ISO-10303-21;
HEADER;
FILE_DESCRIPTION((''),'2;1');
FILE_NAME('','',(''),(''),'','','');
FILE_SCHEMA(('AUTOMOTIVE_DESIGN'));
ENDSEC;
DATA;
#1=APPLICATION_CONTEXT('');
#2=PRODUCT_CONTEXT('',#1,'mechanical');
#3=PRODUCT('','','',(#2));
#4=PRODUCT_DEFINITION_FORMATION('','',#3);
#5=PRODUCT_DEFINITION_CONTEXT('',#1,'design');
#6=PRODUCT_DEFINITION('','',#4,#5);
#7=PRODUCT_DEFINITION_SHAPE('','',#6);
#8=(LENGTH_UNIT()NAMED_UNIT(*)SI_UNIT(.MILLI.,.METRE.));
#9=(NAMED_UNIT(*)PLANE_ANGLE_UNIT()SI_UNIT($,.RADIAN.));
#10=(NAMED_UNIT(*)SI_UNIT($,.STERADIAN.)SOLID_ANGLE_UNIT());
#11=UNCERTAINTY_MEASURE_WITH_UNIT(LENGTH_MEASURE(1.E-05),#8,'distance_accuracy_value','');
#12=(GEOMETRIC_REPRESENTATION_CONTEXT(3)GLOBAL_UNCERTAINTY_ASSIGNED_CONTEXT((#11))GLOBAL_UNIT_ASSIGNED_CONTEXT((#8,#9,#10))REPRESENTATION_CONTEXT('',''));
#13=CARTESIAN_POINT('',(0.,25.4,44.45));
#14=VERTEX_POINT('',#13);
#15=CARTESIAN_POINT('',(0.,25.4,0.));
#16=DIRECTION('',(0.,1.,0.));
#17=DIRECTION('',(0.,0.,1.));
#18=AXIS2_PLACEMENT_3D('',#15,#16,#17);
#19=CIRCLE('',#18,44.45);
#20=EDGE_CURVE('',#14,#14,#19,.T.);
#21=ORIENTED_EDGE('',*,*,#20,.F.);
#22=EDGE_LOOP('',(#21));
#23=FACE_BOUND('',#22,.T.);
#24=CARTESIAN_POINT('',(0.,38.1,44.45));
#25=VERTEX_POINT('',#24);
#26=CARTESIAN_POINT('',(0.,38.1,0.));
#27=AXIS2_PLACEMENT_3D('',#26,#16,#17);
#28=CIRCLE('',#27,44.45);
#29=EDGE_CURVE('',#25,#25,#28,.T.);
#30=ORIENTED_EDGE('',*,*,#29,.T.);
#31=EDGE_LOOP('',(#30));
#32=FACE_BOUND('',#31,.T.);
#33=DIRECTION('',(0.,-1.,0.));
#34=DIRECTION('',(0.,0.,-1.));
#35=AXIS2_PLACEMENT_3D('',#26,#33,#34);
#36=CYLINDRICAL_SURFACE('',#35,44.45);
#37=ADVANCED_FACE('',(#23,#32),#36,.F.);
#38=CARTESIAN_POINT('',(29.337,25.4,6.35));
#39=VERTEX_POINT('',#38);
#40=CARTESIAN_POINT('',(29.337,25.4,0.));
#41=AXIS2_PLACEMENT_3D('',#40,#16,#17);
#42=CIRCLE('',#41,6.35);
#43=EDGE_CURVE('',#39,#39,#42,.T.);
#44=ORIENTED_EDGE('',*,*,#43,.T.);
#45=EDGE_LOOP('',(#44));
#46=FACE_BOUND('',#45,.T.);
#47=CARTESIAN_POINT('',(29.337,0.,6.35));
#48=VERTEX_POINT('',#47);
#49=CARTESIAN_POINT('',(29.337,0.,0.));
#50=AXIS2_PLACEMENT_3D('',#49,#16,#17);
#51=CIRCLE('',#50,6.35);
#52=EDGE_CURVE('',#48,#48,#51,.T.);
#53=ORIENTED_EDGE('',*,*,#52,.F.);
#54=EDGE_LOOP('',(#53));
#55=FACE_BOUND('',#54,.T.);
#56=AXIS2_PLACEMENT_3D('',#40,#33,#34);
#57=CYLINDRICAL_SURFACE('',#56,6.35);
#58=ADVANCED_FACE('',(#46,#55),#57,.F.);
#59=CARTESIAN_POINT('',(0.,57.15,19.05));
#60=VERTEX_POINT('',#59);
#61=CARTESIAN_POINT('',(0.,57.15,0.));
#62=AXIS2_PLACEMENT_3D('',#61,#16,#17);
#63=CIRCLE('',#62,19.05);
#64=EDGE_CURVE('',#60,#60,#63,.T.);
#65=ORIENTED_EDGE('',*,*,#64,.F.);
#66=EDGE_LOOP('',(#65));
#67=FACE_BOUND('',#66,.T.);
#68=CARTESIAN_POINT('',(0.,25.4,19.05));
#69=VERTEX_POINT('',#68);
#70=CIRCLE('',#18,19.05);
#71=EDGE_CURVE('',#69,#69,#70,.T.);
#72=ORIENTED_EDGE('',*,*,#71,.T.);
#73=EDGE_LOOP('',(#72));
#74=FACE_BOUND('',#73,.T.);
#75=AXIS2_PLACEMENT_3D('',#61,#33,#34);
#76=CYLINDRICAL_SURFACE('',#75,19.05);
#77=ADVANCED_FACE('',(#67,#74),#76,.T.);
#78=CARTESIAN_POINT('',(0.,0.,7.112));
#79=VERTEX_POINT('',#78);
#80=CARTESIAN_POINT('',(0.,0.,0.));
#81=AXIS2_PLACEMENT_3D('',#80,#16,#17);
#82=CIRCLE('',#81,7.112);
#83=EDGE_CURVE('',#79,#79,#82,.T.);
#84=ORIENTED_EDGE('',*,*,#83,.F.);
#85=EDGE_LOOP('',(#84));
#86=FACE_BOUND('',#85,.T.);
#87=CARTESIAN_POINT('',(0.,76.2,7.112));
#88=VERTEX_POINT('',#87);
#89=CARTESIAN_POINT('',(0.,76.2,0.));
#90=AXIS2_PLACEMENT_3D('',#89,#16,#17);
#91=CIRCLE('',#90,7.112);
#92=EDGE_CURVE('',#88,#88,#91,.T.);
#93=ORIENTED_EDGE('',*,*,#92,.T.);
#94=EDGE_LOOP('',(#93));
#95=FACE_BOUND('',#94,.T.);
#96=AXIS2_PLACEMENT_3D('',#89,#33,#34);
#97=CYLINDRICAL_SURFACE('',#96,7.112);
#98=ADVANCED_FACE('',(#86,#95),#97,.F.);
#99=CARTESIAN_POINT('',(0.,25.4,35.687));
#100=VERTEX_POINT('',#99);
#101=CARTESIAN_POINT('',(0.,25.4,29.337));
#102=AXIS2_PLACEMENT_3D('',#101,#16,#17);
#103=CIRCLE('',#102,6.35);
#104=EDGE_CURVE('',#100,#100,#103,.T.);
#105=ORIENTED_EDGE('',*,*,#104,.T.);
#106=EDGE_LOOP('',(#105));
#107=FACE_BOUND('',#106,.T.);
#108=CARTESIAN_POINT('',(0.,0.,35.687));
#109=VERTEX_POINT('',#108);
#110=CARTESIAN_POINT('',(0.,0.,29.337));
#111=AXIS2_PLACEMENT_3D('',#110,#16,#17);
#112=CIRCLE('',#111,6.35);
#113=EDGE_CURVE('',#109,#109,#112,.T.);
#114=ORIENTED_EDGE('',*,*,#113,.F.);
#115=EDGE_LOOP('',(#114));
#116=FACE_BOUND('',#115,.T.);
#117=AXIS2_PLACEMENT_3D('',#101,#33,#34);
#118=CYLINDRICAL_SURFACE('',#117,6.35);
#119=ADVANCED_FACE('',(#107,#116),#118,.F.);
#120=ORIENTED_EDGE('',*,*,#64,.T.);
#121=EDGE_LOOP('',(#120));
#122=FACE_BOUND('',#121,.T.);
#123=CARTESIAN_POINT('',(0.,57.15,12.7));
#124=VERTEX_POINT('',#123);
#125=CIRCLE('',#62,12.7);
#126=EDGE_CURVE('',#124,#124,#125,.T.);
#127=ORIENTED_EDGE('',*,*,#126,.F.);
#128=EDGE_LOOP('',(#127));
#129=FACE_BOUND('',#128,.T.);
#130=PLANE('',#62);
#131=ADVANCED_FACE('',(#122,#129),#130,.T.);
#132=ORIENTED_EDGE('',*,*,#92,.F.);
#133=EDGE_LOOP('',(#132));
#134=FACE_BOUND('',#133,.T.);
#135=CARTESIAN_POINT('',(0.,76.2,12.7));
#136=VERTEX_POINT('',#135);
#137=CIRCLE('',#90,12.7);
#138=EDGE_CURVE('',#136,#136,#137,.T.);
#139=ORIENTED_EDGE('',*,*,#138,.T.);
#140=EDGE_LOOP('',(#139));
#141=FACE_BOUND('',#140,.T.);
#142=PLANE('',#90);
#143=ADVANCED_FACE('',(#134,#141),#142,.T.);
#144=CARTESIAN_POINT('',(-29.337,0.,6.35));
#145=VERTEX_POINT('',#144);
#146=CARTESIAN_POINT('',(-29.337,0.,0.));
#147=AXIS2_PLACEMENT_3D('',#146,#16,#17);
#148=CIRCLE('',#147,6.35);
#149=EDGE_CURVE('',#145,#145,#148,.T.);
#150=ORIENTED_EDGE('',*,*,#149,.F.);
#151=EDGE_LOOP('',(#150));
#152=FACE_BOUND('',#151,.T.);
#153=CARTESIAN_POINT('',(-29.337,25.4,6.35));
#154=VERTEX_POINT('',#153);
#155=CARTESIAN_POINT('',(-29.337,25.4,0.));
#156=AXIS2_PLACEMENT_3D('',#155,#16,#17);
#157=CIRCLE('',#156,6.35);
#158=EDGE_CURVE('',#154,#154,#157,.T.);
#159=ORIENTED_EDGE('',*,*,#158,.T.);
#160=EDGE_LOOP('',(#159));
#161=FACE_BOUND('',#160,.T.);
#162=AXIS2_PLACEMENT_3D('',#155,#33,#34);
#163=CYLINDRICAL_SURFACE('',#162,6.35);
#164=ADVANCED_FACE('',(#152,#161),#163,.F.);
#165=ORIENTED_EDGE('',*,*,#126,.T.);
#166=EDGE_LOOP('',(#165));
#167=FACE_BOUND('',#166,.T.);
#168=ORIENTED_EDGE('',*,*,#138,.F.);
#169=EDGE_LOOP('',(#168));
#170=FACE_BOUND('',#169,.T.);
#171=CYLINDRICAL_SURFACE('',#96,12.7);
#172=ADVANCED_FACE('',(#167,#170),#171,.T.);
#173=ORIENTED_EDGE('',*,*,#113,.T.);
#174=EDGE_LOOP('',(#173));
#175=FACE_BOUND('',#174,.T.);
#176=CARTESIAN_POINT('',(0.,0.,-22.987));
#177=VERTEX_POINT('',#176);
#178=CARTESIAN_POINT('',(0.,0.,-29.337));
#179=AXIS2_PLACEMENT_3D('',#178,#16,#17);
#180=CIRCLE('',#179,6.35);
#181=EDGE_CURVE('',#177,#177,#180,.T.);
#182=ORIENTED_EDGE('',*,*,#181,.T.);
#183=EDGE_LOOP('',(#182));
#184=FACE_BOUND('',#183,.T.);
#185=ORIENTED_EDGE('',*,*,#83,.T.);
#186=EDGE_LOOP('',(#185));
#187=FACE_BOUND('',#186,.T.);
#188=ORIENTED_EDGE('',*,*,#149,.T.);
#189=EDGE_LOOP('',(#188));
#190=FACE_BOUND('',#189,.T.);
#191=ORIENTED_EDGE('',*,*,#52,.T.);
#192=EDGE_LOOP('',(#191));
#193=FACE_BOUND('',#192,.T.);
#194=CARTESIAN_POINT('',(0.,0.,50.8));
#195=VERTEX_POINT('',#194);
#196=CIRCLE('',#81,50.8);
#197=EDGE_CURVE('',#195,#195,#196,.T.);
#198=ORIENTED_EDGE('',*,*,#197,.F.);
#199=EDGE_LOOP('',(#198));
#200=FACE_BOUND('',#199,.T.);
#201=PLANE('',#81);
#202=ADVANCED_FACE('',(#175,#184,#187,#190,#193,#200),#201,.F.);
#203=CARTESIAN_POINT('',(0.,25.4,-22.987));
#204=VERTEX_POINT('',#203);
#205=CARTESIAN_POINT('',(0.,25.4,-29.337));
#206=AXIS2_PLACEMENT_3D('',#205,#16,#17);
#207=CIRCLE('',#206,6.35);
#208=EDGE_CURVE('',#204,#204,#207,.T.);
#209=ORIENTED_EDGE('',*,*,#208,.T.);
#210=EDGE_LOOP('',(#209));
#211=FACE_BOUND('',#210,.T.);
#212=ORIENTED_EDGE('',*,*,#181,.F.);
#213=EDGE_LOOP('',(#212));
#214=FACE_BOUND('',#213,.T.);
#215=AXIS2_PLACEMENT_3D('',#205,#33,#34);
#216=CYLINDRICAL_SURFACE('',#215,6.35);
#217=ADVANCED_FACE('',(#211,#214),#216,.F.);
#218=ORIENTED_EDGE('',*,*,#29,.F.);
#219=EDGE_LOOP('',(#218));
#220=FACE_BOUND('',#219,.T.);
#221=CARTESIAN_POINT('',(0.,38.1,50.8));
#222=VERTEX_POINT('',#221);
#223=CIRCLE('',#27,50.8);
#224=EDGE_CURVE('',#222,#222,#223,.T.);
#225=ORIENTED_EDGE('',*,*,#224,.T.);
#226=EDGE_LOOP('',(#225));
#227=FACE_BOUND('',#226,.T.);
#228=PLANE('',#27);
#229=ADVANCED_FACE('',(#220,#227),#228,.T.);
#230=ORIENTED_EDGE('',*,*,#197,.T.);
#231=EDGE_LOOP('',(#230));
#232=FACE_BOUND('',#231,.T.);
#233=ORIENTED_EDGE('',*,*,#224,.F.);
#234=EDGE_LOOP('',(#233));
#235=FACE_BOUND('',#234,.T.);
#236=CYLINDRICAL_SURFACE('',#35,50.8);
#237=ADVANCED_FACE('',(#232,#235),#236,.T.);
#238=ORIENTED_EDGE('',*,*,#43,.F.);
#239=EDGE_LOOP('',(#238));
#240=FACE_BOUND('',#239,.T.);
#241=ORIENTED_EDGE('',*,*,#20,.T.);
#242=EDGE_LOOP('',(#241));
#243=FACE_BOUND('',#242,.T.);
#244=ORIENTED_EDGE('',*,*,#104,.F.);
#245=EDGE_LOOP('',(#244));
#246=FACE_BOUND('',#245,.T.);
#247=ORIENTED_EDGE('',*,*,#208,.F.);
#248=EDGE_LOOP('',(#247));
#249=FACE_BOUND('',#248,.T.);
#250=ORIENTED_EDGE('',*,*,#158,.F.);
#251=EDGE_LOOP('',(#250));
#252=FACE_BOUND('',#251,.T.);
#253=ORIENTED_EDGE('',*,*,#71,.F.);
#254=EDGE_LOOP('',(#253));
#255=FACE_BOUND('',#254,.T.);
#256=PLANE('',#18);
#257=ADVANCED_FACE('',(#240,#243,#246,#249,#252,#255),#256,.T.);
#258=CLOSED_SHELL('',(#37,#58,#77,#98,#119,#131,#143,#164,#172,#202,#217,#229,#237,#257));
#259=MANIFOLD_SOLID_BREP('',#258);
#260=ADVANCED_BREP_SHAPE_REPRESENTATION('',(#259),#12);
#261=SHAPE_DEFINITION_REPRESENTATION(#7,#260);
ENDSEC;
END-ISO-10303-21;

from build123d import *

# Parameters (mm, degrees)
SKETCH1_R           = 50.8
SKETCH1_R_2         = 44.45
BOSS_EXTRUDE1_DEPTH = 38.1
SKETCH1_4_R         = 44.45
SKETCH1_4_R_2       = 6.35
SKETCH1_4_R_3       = 19.05
BOSS_EXTRUDE3_DEPTH = 25.4
SKETCH1_5_R         = 19.05
SKETCH1_5_R_2       = 12.7
BOSS_EXTRUDE4_DEPTH = 57.15
SKETCH1_6_R         = 12.7
SKETCH1_6_R_2       = 7.112
BOSS_EXTRUDE5_DEPTH = 76.2


with BuildPart() as part:
    # Sketch1 → Boss-Extrude1 (new body)
    with BuildSketch(Plane(origin=(0, 0, 0), x_dir=(1, 0, 0), z_dir=(0, 1, 0))):
        Circle(SKETCH1_R)
        Circle(SKETCH1_R_2, mode=Mode.SUBTRACT)
    extrude(amount=BOSS_EXTRUDE1_DEPTH)

    # Sketch1<4> → Boss-Extrude3 (add)
    with BuildSketch(Plane(origin=(0, 0, 0), x_dir=(1, 0, 0), z_dir=(0, 1, 0))):
        Circle(SKETCH1_4_R)
        with Locations((29.337, 0)):
            Circle(SKETCH1_4_R_2, mode=Mode.SUBTRACT)
        with Locations((0, -29.337)):
            Circle(SKETCH1_4_R_2, mode=Mode.SUBTRACT)
        with Locations((-29.337, 0)):
            Circle(SKETCH1_4_R_2, mode=Mode.SUBTRACT)
        with Locations((0, 29.337)):
            Circle(SKETCH1_4_R_2, mode=Mode.SUBTRACT)
        Circle(SKETCH1_4_R_3, mode=Mode.SUBTRACT)
    extrude(amount=BOSS_EXTRUDE3_DEPTH)

    # Sketch1<5> → Boss-Extrude4 (add)
    with BuildSketch(Plane(origin=(0, 0, 0), x_dir=(1, 0, 0), z_dir=(0, 1, 0))):
        Circle(SKETCH1_5_R)
        Circle(SKETCH1_5_R_2, mode=Mode.SUBTRACT)
    extrude(amount=BOSS_EXTRUDE4_DEPTH)

    # Sketch1<6> → Boss-Extrude5 (add)
    with BuildSketch(Plane(origin=(0, 0, 0), x_dir=(1, 0, 0), z_dir=(0, 1, 0))):
        Circle(SKETCH1_6_R)
        Circle(SKETCH1_6_R_2, mode=Mode.SUBTRACT)
    extrude(amount=BOSS_EXTRUDE5_DEPTH)


solid = part.part
